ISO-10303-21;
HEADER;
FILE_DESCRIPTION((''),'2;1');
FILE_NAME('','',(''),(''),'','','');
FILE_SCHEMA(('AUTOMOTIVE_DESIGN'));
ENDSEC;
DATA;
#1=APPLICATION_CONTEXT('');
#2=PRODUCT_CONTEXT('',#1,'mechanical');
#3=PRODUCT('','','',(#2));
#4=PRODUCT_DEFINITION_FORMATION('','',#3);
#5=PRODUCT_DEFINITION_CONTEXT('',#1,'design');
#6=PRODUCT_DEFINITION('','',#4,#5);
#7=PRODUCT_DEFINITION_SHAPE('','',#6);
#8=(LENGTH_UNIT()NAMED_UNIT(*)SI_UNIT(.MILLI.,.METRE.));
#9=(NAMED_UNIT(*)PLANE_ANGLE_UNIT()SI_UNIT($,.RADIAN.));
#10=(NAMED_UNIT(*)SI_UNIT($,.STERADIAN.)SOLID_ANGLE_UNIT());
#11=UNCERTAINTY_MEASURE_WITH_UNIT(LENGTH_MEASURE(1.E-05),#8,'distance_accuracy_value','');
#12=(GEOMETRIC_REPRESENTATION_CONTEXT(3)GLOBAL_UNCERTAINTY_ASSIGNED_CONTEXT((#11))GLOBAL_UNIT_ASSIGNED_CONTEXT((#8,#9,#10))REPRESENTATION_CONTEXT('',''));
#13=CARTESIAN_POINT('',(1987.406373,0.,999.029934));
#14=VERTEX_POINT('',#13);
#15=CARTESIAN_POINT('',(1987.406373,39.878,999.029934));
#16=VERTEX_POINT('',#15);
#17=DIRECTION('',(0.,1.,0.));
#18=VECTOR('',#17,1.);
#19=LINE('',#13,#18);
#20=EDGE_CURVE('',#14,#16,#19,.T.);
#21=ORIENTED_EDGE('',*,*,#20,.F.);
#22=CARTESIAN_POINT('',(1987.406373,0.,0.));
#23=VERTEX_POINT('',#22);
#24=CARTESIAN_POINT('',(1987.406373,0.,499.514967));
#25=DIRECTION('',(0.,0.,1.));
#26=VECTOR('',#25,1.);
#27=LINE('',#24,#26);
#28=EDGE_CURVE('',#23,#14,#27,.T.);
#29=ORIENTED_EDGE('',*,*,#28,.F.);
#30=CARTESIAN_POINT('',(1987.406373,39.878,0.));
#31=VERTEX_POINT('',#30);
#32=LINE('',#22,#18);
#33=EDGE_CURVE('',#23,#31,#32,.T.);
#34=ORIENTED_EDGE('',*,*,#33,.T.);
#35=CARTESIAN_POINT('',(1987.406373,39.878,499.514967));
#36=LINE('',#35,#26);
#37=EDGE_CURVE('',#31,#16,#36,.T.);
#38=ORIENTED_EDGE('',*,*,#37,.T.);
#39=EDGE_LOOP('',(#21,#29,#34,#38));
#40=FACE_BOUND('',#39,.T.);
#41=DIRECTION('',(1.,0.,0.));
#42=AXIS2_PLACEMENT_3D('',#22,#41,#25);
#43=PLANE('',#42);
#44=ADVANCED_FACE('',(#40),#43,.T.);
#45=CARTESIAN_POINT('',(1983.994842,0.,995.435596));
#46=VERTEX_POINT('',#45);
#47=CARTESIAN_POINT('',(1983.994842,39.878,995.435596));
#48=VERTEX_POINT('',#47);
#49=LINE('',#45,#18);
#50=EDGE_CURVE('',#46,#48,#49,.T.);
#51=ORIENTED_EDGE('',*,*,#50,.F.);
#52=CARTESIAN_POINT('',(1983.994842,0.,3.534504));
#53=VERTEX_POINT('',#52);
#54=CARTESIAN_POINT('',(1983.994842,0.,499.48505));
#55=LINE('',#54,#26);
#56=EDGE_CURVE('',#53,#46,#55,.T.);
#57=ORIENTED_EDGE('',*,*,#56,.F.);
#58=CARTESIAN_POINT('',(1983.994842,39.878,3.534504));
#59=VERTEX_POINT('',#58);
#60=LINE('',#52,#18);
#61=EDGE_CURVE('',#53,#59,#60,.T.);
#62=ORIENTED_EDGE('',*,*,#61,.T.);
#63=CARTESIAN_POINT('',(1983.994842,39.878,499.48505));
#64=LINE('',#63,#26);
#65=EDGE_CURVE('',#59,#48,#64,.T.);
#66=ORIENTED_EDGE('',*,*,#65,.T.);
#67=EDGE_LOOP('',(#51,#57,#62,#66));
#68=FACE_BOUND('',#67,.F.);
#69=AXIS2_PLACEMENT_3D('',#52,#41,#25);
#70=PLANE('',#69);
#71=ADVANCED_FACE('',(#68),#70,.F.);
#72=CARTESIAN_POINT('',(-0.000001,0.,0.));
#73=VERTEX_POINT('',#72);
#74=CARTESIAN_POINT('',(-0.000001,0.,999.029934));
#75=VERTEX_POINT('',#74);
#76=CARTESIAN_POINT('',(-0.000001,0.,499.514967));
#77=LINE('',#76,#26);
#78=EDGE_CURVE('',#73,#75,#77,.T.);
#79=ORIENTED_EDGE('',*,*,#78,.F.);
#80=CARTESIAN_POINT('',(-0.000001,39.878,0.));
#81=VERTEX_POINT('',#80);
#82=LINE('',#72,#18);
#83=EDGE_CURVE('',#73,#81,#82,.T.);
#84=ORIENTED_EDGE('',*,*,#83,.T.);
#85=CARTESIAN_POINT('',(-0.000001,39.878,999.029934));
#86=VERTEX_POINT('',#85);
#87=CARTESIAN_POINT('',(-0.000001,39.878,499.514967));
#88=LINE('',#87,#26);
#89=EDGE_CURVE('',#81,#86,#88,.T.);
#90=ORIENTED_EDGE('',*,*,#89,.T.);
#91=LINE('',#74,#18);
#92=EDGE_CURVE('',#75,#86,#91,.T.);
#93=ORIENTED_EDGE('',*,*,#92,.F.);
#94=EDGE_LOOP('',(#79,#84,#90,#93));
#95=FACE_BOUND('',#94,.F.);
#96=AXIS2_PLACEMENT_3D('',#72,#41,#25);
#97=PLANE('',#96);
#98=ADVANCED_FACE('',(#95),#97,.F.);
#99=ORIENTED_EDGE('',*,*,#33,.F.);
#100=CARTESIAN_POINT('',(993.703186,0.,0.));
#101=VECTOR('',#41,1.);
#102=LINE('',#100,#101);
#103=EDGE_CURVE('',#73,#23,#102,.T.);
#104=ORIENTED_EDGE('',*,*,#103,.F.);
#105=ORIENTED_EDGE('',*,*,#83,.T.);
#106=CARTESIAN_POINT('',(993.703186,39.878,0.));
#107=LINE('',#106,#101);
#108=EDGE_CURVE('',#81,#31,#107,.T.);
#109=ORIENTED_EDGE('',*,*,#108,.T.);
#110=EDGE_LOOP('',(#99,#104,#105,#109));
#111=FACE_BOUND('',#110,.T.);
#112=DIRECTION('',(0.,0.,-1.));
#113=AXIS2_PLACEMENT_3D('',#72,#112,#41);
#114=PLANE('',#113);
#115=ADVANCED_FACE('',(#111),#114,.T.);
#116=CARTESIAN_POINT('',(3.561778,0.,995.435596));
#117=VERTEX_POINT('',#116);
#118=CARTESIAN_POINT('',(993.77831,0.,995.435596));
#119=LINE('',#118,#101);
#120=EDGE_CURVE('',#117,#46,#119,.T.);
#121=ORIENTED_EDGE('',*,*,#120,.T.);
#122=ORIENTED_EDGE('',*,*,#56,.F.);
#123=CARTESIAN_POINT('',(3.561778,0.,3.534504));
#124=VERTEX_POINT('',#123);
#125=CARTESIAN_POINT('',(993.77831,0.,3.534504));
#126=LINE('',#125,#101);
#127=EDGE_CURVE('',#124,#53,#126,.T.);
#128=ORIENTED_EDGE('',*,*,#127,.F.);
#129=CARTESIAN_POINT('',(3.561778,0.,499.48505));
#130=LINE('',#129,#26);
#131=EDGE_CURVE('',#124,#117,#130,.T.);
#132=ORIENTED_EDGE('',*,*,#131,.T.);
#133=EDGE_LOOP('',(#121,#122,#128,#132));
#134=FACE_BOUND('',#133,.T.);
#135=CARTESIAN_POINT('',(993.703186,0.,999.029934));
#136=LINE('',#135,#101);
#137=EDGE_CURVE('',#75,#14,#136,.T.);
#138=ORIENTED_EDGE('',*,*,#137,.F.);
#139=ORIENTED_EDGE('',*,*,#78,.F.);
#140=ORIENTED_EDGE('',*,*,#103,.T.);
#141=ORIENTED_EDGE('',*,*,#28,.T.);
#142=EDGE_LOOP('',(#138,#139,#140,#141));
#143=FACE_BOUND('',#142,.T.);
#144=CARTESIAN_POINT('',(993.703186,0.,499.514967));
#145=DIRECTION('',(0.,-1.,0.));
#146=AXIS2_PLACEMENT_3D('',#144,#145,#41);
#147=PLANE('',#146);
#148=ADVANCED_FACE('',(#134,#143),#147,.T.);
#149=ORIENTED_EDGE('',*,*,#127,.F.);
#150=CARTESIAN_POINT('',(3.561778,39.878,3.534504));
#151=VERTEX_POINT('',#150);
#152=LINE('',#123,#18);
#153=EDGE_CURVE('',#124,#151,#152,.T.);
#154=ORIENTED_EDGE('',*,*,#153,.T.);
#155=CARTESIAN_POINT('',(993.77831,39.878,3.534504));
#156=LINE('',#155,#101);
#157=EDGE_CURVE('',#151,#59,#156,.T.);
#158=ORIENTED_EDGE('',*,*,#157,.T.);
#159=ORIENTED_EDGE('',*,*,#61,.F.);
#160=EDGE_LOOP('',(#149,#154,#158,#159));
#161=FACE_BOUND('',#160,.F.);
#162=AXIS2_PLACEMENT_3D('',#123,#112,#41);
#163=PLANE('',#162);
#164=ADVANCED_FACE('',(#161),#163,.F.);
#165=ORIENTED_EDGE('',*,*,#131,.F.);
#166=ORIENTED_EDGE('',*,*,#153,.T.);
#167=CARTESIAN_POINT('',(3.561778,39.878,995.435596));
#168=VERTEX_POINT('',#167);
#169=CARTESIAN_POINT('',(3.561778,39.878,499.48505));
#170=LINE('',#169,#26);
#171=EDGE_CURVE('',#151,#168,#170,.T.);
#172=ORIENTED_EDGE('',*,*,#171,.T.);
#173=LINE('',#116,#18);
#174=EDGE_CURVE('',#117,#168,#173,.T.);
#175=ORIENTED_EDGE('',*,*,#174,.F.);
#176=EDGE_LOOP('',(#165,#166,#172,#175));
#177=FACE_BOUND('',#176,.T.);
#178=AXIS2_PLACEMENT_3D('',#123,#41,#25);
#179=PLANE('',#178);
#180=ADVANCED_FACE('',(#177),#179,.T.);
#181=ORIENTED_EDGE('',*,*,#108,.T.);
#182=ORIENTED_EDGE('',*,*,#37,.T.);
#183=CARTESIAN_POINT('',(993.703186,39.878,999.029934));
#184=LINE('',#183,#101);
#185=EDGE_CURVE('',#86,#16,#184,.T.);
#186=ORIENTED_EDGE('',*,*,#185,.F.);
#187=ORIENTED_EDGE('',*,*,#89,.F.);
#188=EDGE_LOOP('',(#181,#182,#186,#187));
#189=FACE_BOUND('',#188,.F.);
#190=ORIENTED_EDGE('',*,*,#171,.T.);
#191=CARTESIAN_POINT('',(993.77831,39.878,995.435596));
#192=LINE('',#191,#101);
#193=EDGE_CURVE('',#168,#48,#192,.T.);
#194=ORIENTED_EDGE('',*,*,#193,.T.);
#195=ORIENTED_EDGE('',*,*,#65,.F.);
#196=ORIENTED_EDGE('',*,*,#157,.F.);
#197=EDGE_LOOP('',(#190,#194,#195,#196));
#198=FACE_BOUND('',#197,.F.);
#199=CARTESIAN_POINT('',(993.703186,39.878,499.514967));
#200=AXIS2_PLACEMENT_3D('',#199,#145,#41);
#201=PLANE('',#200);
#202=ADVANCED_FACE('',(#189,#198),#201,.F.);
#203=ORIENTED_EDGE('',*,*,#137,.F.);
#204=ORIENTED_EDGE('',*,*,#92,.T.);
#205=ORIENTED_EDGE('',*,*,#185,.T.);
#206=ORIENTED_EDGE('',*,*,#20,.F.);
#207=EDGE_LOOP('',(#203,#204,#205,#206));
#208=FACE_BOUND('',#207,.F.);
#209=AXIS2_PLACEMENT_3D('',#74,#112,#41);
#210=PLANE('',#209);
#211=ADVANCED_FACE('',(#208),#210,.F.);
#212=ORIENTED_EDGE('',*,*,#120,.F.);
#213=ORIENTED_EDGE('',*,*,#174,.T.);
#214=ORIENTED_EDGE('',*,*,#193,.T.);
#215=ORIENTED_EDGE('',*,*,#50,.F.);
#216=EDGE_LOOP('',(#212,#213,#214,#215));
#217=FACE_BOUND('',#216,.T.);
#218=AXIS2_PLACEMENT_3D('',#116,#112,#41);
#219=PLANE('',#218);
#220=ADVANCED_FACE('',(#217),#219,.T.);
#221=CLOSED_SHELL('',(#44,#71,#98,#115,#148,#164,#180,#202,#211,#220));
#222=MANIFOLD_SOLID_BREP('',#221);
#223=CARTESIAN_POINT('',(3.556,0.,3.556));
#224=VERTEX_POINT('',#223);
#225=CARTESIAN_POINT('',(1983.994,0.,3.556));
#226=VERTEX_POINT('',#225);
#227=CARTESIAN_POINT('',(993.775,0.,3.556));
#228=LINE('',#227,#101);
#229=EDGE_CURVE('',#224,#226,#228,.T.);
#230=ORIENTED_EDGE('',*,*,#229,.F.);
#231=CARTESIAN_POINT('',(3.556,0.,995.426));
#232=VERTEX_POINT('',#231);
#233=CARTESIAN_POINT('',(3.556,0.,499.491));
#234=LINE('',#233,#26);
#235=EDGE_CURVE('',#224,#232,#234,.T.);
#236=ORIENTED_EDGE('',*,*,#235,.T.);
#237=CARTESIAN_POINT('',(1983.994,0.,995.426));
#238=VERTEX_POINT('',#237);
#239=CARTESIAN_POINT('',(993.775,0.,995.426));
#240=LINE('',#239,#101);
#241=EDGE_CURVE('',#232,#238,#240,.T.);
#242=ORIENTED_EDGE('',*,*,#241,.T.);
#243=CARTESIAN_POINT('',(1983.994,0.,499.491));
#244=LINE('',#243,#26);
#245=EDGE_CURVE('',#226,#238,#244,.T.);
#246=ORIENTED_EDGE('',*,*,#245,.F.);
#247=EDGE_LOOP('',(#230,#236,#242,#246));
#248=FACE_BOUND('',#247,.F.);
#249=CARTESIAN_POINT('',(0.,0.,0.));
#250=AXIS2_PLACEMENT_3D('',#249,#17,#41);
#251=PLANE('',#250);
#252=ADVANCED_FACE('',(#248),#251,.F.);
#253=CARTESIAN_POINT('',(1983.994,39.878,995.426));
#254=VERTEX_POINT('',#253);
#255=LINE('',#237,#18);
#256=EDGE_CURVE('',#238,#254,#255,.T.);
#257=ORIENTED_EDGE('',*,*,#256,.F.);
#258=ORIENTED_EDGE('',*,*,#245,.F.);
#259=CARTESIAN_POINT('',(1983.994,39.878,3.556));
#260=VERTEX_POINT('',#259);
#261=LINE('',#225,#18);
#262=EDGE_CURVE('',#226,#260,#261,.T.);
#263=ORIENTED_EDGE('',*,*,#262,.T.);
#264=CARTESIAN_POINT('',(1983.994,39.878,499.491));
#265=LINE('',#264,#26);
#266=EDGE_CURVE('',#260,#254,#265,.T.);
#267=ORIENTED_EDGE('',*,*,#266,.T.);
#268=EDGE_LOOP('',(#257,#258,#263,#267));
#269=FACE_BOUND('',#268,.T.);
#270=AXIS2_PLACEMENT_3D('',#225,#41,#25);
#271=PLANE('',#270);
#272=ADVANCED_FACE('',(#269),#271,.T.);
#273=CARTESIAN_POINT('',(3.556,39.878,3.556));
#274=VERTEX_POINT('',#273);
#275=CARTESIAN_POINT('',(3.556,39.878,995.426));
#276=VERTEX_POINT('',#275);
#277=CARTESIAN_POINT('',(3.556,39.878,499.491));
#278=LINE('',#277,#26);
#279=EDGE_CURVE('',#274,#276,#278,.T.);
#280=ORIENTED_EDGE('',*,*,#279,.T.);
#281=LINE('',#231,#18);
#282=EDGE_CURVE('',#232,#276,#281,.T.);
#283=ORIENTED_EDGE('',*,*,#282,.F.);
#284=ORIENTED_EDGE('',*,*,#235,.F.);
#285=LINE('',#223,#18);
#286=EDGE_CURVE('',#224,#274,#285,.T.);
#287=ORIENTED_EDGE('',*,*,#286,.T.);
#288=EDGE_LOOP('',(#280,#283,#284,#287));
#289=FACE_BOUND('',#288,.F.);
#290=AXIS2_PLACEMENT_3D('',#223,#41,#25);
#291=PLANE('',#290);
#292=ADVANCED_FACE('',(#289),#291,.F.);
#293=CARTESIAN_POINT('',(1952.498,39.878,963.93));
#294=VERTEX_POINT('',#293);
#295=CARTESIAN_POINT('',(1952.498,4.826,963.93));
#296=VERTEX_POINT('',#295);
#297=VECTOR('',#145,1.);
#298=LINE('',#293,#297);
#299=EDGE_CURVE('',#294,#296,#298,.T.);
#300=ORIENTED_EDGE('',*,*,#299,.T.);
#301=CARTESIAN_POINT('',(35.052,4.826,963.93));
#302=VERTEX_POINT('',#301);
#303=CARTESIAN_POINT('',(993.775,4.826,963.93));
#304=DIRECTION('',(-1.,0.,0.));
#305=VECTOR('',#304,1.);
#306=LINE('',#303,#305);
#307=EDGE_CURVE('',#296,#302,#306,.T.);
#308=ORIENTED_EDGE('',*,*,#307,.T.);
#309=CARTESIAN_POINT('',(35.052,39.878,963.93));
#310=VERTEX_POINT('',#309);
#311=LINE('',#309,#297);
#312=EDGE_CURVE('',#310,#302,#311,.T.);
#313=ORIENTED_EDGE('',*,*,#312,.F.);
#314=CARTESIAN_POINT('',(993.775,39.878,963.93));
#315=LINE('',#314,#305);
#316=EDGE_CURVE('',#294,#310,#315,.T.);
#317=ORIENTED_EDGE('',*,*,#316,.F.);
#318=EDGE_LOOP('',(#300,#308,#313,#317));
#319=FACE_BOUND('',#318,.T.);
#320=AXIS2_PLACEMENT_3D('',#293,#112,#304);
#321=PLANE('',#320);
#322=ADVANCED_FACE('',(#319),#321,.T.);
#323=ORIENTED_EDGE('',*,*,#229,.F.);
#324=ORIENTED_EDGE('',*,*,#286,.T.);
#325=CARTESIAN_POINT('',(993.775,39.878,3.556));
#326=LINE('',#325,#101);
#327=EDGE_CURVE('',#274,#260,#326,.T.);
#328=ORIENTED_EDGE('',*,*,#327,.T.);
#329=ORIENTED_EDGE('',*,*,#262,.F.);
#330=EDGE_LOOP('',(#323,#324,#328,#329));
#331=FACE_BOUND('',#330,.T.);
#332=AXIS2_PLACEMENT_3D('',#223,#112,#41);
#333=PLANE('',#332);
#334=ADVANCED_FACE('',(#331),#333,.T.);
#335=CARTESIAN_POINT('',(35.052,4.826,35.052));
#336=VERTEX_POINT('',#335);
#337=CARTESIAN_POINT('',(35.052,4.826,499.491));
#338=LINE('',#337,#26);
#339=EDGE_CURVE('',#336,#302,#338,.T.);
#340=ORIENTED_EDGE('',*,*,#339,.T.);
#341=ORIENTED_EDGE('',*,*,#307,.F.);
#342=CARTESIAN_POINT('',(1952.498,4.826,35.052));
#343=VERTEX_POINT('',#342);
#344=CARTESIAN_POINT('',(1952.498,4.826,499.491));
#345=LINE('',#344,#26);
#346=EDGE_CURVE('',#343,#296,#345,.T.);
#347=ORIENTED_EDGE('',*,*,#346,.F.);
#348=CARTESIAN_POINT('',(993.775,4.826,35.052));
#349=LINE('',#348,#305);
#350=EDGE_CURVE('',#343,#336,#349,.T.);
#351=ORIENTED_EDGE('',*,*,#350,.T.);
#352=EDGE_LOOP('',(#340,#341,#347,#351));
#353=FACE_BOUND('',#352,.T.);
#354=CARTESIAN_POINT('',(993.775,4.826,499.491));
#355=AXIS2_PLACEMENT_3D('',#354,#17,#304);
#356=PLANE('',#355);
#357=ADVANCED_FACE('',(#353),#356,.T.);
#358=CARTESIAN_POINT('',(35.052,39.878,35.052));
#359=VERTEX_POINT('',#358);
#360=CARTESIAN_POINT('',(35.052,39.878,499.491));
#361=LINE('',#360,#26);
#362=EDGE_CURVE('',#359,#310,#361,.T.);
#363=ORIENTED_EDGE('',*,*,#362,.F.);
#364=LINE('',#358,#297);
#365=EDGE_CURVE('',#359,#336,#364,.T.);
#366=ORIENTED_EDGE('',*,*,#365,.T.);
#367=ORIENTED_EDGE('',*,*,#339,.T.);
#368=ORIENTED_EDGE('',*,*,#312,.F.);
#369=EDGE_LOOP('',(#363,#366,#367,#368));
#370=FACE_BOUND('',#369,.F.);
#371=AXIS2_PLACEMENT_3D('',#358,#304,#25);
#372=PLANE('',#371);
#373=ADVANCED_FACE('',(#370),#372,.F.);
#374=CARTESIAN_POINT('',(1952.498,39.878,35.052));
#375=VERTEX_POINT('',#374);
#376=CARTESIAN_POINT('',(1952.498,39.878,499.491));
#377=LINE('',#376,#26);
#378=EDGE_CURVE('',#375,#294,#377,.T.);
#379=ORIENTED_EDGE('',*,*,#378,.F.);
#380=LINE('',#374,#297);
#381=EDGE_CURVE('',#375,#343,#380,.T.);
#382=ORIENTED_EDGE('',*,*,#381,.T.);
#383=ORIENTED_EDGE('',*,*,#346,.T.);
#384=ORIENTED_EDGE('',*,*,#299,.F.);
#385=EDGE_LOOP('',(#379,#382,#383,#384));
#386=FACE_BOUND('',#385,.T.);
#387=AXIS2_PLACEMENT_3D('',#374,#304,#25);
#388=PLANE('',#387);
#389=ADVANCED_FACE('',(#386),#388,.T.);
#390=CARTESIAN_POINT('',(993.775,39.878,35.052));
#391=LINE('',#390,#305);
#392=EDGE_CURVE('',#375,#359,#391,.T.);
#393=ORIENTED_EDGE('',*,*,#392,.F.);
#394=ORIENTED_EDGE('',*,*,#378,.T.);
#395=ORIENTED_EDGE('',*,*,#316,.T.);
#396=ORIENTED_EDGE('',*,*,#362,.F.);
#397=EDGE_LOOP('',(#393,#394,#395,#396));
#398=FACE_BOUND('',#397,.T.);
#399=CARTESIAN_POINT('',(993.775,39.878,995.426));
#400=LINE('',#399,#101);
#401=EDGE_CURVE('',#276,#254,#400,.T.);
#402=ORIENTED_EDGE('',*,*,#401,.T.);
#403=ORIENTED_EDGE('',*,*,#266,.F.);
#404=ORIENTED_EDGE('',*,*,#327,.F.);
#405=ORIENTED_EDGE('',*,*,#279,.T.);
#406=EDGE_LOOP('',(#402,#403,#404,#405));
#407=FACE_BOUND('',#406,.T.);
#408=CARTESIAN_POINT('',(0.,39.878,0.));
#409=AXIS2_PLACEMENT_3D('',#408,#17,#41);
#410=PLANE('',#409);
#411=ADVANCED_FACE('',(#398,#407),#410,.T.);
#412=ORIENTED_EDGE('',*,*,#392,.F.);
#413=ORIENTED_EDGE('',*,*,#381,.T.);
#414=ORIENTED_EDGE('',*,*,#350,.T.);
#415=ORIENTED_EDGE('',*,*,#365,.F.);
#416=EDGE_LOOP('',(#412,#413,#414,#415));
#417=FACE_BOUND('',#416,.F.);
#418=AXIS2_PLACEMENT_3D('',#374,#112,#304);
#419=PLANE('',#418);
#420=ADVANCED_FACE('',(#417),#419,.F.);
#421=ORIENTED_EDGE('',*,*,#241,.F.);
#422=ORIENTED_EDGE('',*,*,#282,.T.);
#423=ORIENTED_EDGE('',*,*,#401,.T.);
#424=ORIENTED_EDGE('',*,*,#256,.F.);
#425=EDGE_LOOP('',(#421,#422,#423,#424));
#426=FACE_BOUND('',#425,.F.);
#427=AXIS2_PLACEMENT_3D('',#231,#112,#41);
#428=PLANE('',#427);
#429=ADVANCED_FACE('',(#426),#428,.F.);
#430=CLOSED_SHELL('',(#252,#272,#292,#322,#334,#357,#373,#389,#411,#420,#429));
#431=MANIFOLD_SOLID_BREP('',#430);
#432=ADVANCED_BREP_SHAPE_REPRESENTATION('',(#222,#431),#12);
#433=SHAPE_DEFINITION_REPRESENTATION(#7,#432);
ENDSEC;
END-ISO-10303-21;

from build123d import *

# Parameters (mm, degrees)
F0_W     = 1987.55
F0_H     = 39.878
F1_DEPTH = 998.982
F2_W     = 1917.446
F2_H     = 928.878
F3_DEPTH = 35.052
F4_W     = 1987.55
F4_H     = 998.982
F4_W_2   = 1980.438
F4_H_2   = 991.87
F5_DEPTH = 39.878
F6_W     = 1987.406373
F6_H     = 999.029934
F6_W_2   = 1980.433064
F6_H_2   = 991.901092
F7_DEPTH = 39.878


with BuildPart() as f1:
    # F0 (on Top) → F1 (new body)
    with BuildSketch(Plane.XY):
        with Locations((993.775, 19.939)):
            Rectangle(F0_W, F0_H)
    extrude(amount=F1_DEPTH)

    # F2 (on face) → F3 (cut)
    with BuildSketch(Plane(origin=(0, 39.878, 0), x_dir=(-1, 0, 0), z_dir=(0, 1, 0))):
        with Locations((-993.775, 499.491)):
            Rectangle(F2_W, F2_H)
    extrude(amount=-F3_DEPTH, mode=Mode.SUBTRACT)

    # F4 (on face) → F5 (cut)
    with BuildSketch(Plane.XZ):
        with Locations((993.775, 499.491)):
            Rectangle(F4_W, F4_H)
        with Locations((993.775, 499.491)):
            Rectangle(F4_W_2, F4_H_2, mode=Mode.SUBTRACT)
    extrude(amount=-F5_DEPTH, mode=Mode.SUBTRACT)


with BuildPart() as f7:
    # F6 (on face) → F7 (new body)
    with BuildSketch(Plane.XZ):
        with Locations((993.703186, 499.514967)):
            Rectangle(F6_W, F6_H)
        with Locations((993.77831, 499.48505)):
            Rectangle(F6_W_2, F6_H_2, mode=Mode.SUBTRACT)
    extrude(amount=-F7_DEPTH)


solid = Compound([f1.part, f7.part])
